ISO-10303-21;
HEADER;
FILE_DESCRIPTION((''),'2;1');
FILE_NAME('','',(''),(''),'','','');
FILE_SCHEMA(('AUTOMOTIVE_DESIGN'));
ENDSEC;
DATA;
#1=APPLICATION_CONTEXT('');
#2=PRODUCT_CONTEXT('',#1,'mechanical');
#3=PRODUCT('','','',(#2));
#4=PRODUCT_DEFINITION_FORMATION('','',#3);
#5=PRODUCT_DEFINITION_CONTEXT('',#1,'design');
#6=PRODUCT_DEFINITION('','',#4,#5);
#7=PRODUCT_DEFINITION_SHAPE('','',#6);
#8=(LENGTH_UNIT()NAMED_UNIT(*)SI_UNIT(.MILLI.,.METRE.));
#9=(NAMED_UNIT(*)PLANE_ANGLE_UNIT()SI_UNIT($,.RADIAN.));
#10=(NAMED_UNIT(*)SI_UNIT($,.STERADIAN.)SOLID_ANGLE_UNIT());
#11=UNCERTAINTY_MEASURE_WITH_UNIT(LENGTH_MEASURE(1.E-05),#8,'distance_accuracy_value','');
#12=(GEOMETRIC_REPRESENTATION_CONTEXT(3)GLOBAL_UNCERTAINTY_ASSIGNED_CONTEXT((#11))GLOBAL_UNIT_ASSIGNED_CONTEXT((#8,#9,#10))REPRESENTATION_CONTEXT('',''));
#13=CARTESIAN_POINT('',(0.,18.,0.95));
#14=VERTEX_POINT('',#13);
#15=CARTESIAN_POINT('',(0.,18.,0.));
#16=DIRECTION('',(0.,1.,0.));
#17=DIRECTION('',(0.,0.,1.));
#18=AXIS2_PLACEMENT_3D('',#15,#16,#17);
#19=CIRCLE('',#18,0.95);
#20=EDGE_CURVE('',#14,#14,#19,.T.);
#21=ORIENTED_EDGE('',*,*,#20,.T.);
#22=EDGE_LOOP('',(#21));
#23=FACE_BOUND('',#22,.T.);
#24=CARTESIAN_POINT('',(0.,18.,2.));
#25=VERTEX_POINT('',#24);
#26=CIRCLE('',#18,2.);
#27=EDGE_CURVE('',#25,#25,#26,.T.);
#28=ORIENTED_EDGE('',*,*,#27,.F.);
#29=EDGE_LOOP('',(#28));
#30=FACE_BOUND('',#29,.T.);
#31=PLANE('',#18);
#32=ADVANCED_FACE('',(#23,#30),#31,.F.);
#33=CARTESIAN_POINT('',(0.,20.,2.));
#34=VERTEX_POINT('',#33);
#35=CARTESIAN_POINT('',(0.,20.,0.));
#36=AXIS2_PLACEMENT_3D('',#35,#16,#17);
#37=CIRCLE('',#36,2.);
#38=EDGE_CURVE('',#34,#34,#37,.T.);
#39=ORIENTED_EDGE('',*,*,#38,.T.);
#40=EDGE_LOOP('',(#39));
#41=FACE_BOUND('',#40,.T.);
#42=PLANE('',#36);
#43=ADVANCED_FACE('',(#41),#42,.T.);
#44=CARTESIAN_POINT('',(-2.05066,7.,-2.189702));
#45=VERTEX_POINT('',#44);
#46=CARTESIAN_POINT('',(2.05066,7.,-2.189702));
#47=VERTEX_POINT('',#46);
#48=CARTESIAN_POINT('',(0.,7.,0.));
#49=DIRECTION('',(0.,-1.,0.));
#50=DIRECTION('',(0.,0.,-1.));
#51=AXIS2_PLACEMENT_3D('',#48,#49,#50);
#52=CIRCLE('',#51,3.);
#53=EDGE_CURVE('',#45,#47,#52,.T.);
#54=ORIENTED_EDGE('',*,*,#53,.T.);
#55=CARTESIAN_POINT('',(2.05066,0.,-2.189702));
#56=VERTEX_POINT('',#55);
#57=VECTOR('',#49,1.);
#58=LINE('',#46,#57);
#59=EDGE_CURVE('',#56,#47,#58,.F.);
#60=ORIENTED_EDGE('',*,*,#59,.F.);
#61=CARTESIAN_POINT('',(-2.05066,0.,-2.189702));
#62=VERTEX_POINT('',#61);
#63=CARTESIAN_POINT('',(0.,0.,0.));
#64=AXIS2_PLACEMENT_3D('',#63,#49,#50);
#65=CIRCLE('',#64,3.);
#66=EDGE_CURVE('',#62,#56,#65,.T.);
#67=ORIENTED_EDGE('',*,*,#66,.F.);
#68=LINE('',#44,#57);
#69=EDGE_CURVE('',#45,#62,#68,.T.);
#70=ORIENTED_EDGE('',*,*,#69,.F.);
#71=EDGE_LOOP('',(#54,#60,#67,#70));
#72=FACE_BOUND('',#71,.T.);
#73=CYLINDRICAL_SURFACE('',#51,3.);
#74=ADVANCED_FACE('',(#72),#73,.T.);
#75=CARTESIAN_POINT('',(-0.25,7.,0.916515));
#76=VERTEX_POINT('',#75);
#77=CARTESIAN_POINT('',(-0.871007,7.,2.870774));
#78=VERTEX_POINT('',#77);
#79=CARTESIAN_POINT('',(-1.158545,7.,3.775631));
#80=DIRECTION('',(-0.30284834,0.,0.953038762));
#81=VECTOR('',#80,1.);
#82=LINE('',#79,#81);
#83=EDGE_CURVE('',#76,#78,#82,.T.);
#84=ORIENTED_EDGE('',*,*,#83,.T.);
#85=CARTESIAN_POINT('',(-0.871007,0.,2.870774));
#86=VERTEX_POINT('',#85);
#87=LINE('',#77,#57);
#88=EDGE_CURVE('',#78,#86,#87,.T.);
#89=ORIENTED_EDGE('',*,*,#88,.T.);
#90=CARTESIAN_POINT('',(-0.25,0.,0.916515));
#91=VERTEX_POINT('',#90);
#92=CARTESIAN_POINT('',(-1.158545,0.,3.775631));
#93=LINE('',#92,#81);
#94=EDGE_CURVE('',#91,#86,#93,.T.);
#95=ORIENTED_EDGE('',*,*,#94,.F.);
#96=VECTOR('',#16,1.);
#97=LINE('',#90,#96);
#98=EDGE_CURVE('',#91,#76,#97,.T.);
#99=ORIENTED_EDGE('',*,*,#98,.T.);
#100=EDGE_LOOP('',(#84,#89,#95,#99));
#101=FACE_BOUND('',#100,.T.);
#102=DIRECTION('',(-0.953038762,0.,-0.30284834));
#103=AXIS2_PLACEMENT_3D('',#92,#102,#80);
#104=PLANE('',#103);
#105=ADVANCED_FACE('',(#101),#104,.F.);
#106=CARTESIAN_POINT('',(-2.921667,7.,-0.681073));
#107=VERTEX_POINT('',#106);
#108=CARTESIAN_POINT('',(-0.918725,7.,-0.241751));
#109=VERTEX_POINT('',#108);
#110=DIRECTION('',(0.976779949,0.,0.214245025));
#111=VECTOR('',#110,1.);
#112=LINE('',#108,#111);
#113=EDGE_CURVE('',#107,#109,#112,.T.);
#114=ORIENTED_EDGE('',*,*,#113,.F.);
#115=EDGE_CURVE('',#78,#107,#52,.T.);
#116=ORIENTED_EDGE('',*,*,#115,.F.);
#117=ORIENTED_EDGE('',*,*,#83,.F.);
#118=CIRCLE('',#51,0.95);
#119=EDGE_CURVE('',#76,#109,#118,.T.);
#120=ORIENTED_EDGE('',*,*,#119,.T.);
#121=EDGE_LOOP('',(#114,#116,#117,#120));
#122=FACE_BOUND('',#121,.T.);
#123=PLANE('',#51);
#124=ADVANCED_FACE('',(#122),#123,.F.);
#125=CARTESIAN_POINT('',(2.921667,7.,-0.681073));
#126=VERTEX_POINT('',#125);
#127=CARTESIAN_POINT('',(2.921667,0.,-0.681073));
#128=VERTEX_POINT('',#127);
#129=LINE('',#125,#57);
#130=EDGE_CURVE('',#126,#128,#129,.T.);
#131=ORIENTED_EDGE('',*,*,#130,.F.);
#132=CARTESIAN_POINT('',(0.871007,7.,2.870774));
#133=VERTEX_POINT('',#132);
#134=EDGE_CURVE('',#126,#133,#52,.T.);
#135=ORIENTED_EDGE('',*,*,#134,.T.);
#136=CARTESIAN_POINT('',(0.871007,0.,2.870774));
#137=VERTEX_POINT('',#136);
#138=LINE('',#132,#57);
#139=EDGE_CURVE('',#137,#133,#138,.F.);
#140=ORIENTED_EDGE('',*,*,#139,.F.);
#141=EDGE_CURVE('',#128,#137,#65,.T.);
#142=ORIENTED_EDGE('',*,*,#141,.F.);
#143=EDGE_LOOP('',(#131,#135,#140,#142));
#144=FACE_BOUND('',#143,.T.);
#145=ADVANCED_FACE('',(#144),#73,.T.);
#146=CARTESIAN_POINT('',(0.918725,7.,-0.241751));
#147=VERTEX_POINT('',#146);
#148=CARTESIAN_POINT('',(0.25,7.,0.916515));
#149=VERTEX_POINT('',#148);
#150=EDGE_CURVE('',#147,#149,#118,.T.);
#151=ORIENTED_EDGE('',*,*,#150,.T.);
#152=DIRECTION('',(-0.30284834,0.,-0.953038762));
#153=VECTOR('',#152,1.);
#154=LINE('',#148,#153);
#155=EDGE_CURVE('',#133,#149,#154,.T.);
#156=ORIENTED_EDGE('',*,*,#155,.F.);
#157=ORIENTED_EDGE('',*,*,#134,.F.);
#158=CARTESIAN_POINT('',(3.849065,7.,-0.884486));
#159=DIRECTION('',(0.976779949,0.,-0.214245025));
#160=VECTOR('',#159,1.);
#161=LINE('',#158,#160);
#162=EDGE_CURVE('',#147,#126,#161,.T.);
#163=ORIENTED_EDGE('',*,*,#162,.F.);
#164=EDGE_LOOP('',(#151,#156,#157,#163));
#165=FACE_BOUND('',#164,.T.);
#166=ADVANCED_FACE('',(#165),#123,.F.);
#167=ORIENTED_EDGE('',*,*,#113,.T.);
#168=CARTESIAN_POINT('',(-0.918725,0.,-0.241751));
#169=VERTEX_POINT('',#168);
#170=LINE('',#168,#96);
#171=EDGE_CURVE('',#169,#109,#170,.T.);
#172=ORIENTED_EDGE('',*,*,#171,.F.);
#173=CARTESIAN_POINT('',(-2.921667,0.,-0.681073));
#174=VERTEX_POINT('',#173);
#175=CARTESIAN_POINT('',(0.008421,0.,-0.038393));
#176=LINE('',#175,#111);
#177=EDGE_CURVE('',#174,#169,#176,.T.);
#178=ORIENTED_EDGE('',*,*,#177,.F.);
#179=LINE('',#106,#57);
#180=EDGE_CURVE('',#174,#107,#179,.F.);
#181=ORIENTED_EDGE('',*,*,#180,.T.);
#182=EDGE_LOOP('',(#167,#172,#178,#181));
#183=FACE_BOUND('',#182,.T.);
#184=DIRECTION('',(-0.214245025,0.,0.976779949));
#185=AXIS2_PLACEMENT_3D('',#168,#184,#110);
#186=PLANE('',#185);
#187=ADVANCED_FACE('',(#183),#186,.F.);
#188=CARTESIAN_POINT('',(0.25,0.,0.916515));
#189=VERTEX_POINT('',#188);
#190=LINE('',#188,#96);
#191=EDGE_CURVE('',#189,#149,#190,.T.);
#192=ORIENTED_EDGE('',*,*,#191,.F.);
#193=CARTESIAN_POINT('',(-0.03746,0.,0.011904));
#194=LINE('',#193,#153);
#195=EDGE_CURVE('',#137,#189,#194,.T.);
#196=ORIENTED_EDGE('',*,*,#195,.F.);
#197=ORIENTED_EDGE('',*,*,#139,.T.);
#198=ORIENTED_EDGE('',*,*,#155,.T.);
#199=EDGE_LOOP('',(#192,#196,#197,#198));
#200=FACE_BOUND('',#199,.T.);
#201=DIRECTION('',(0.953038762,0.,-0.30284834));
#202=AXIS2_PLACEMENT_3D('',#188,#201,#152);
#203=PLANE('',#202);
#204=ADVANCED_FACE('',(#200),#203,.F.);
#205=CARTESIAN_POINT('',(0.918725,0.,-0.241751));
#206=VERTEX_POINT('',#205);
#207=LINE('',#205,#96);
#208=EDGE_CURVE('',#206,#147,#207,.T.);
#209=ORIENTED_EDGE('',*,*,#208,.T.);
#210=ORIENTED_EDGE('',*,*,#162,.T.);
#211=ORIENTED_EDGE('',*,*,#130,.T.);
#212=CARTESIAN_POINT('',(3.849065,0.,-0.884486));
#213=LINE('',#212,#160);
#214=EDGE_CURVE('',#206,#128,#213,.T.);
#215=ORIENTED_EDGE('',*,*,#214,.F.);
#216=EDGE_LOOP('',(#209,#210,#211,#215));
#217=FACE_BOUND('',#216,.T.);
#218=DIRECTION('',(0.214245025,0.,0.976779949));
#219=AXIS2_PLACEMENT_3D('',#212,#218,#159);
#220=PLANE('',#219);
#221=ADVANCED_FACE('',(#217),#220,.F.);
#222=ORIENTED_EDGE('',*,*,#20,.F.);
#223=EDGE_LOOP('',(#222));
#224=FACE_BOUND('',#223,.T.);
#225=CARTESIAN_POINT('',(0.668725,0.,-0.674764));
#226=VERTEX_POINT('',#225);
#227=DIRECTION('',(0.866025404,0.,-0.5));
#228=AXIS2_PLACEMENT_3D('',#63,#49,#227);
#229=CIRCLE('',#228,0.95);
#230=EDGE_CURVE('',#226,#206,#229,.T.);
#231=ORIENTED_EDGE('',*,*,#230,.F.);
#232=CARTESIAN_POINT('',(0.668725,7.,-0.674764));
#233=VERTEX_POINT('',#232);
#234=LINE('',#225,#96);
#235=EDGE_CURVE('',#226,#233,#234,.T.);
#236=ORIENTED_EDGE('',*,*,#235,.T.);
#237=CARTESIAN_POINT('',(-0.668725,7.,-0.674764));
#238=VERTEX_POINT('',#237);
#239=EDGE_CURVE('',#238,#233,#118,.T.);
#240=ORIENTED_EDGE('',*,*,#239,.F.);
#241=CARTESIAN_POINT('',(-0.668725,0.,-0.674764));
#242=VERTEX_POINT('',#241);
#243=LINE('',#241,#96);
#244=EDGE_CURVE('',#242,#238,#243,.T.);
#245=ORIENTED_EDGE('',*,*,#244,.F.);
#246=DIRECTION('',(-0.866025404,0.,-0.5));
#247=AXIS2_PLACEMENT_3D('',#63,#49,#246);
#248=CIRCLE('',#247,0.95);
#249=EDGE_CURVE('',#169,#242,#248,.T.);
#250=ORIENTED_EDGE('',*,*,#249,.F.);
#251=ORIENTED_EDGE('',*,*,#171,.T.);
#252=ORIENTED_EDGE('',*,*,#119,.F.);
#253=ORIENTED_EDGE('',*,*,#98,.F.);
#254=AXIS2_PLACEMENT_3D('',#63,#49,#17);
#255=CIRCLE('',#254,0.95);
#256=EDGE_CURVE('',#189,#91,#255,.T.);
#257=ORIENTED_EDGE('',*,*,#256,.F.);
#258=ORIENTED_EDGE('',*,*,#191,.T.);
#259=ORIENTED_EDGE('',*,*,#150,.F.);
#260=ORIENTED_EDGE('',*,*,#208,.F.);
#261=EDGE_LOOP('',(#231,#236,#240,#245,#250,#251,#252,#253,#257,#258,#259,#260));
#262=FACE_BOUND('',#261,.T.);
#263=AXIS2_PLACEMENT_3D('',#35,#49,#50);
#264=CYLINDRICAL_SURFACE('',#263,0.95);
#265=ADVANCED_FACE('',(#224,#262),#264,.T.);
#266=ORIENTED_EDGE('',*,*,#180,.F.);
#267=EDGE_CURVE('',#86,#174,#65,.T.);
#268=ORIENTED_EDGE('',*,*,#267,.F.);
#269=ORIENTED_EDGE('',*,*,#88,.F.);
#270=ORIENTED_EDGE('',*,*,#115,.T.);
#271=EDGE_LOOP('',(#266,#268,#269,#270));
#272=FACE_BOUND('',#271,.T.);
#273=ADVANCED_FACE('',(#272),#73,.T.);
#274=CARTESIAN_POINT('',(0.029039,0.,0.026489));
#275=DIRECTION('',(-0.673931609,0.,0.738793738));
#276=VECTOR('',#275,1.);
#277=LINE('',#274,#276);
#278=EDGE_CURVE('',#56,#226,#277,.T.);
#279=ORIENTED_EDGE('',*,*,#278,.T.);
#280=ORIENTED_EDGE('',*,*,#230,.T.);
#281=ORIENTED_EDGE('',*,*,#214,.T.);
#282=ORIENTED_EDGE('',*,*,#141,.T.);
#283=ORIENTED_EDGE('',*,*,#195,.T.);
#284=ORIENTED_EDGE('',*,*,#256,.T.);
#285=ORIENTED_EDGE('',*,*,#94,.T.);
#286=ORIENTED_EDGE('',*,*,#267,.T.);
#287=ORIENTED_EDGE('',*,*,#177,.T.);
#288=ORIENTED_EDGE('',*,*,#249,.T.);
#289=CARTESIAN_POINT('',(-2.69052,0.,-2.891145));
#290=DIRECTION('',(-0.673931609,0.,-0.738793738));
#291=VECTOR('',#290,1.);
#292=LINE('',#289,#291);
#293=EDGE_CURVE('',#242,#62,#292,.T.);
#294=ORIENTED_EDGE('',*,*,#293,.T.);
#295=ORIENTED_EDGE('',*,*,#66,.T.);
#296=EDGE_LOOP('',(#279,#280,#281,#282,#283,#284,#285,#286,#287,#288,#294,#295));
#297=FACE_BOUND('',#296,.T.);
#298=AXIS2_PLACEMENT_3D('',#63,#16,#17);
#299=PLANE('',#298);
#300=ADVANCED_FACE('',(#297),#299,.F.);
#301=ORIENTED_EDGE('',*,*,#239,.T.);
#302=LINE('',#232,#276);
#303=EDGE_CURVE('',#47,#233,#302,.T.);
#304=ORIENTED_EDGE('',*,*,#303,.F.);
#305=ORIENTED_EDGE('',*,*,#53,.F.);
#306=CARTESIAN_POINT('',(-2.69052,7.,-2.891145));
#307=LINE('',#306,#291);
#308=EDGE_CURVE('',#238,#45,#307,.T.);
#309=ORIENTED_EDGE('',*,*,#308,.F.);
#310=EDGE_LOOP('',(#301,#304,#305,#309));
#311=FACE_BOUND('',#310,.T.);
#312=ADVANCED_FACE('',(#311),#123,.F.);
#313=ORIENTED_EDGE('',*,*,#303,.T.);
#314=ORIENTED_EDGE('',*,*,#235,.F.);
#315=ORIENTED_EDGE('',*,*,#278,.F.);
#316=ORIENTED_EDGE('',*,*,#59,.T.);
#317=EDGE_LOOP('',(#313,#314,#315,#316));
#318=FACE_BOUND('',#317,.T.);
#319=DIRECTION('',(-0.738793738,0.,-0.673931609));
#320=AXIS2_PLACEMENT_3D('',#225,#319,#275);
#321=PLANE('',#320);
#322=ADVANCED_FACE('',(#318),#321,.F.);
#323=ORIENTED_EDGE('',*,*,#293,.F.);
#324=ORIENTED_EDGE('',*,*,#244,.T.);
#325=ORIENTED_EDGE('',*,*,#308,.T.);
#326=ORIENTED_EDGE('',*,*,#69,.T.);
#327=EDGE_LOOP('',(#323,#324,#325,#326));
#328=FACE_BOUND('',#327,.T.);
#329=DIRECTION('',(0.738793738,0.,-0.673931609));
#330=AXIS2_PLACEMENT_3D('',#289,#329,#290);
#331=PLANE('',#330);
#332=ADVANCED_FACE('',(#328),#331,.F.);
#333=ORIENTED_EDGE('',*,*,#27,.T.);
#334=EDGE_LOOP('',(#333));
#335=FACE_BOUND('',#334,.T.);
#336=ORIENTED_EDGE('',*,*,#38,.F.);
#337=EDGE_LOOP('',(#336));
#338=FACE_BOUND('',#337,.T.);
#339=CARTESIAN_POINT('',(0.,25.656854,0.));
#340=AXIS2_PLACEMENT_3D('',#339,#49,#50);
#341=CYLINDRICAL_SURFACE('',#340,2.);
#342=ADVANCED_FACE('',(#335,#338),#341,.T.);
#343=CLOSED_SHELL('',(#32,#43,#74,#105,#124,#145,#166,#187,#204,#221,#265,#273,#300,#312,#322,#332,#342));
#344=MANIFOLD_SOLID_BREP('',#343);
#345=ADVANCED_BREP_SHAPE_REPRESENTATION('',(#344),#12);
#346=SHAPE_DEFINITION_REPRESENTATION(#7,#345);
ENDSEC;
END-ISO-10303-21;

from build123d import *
from build123d.topology import SkipClean

# Parameters (mm, degrees)
SKETCH1_R           = 0.95
BOSS_EXTRUDE1_DEPTH = 20
SKETCH2_R           = 3
SKETCH2_R_2         = 0.95
BOSS_EXTRUDE2_DEPTH = 7
CUT_EXTRUDE1_DEPTH  = 14.674794331
CIRPATTERN1_COUNT   = 3
SKETCH5_R           = 2
BOSS_EXTRUDE3_DEPTH = 2


with BuildPart() as part:
    # Sketch1 → Boss-Extrude1 (new body)
    with BuildSketch(Plane(origin=(0, 0, 0), x_dir=(1, 0, 0), z_dir=(0, 1, 0))):
        with Locations(Location((0, 0, 0), (0, 0, 270))):
            Circle(SKETCH1_R)
    extrude(amount=BOSS_EXTRUDE1_DEPTH)

    # Sketch2 → Boss-Extrude2 (add)
    with BuildSketch(Plane.XZ):
        with Locations(Location((0, 0, 0), (0, 0, 270))):
            Circle(SKETCH2_R)
        with Locations(Location((0, 0, 0), (0, 0, 270))):
            Circle(SKETCH2_R_2, mode=Mode.SUBTRACT)
    extrude(amount=-BOSS_EXTRUDE2_DEPTH)

    # Sketch3 → Cut-Extrude1 (cut, through all)
    with SkipClean():  # the faces are left unmerged after this step: merging them gives an invalid solid
        with BuildSketch(Plane(origin=(0, 7, 0), x_dir=(1, 0, 0), z_dir=(0, 1, 0))):
            with BuildLine():
                Line((0.25, -0.916515139), (1.158545021, -3.775631426))
                Line((1.158545021, -3.775631426), (-1.158545021, -3.775631426))
                Line((-1.158545021, -3.775631426), (-0.25, -0.916515139))
                ThreePointArc((-0.25, -0.916515139), (0, -0.95), (0.25, -0.916515139))
            make_face()
        cut_extrude1 = extrude(amount=-CUT_EXTRUDE1_DEPTH, mode=Mode.SUBTRACT)

    # CirPattern1: Cut-Extrude1 ×3 about axis
    with SkipClean():  # the faces are left unmerged after this step: merging them gives an invalid solid
        cirpattern1_axis = Axis((0, 0, 0), (0, 1, 0))
        for i in range(1, CIRPATTERN1_COUNT):
            add(cut_extrude1.rotate(cirpattern1_axis, i * 360 / CIRPATTERN1_COUNT), mode=Mode.SUBTRACT)

    # Sketch5 → Boss-Extrude3 (add)
    with SkipClean():  # the faces are left unmerged after this step: merging them gives an invalid solid
        with BuildSketch(Plane(origin=(0, 18, 0), x_dir=(1, 0, 0), z_dir=(0, 1, 0))):
            with Locations(Location((0, 0, 0), (0, 0, 270))):
                Circle(SKETCH5_R)
        extrude(amount=BOSS_EXTRUDE3_DEPTH)


solid = part.part
